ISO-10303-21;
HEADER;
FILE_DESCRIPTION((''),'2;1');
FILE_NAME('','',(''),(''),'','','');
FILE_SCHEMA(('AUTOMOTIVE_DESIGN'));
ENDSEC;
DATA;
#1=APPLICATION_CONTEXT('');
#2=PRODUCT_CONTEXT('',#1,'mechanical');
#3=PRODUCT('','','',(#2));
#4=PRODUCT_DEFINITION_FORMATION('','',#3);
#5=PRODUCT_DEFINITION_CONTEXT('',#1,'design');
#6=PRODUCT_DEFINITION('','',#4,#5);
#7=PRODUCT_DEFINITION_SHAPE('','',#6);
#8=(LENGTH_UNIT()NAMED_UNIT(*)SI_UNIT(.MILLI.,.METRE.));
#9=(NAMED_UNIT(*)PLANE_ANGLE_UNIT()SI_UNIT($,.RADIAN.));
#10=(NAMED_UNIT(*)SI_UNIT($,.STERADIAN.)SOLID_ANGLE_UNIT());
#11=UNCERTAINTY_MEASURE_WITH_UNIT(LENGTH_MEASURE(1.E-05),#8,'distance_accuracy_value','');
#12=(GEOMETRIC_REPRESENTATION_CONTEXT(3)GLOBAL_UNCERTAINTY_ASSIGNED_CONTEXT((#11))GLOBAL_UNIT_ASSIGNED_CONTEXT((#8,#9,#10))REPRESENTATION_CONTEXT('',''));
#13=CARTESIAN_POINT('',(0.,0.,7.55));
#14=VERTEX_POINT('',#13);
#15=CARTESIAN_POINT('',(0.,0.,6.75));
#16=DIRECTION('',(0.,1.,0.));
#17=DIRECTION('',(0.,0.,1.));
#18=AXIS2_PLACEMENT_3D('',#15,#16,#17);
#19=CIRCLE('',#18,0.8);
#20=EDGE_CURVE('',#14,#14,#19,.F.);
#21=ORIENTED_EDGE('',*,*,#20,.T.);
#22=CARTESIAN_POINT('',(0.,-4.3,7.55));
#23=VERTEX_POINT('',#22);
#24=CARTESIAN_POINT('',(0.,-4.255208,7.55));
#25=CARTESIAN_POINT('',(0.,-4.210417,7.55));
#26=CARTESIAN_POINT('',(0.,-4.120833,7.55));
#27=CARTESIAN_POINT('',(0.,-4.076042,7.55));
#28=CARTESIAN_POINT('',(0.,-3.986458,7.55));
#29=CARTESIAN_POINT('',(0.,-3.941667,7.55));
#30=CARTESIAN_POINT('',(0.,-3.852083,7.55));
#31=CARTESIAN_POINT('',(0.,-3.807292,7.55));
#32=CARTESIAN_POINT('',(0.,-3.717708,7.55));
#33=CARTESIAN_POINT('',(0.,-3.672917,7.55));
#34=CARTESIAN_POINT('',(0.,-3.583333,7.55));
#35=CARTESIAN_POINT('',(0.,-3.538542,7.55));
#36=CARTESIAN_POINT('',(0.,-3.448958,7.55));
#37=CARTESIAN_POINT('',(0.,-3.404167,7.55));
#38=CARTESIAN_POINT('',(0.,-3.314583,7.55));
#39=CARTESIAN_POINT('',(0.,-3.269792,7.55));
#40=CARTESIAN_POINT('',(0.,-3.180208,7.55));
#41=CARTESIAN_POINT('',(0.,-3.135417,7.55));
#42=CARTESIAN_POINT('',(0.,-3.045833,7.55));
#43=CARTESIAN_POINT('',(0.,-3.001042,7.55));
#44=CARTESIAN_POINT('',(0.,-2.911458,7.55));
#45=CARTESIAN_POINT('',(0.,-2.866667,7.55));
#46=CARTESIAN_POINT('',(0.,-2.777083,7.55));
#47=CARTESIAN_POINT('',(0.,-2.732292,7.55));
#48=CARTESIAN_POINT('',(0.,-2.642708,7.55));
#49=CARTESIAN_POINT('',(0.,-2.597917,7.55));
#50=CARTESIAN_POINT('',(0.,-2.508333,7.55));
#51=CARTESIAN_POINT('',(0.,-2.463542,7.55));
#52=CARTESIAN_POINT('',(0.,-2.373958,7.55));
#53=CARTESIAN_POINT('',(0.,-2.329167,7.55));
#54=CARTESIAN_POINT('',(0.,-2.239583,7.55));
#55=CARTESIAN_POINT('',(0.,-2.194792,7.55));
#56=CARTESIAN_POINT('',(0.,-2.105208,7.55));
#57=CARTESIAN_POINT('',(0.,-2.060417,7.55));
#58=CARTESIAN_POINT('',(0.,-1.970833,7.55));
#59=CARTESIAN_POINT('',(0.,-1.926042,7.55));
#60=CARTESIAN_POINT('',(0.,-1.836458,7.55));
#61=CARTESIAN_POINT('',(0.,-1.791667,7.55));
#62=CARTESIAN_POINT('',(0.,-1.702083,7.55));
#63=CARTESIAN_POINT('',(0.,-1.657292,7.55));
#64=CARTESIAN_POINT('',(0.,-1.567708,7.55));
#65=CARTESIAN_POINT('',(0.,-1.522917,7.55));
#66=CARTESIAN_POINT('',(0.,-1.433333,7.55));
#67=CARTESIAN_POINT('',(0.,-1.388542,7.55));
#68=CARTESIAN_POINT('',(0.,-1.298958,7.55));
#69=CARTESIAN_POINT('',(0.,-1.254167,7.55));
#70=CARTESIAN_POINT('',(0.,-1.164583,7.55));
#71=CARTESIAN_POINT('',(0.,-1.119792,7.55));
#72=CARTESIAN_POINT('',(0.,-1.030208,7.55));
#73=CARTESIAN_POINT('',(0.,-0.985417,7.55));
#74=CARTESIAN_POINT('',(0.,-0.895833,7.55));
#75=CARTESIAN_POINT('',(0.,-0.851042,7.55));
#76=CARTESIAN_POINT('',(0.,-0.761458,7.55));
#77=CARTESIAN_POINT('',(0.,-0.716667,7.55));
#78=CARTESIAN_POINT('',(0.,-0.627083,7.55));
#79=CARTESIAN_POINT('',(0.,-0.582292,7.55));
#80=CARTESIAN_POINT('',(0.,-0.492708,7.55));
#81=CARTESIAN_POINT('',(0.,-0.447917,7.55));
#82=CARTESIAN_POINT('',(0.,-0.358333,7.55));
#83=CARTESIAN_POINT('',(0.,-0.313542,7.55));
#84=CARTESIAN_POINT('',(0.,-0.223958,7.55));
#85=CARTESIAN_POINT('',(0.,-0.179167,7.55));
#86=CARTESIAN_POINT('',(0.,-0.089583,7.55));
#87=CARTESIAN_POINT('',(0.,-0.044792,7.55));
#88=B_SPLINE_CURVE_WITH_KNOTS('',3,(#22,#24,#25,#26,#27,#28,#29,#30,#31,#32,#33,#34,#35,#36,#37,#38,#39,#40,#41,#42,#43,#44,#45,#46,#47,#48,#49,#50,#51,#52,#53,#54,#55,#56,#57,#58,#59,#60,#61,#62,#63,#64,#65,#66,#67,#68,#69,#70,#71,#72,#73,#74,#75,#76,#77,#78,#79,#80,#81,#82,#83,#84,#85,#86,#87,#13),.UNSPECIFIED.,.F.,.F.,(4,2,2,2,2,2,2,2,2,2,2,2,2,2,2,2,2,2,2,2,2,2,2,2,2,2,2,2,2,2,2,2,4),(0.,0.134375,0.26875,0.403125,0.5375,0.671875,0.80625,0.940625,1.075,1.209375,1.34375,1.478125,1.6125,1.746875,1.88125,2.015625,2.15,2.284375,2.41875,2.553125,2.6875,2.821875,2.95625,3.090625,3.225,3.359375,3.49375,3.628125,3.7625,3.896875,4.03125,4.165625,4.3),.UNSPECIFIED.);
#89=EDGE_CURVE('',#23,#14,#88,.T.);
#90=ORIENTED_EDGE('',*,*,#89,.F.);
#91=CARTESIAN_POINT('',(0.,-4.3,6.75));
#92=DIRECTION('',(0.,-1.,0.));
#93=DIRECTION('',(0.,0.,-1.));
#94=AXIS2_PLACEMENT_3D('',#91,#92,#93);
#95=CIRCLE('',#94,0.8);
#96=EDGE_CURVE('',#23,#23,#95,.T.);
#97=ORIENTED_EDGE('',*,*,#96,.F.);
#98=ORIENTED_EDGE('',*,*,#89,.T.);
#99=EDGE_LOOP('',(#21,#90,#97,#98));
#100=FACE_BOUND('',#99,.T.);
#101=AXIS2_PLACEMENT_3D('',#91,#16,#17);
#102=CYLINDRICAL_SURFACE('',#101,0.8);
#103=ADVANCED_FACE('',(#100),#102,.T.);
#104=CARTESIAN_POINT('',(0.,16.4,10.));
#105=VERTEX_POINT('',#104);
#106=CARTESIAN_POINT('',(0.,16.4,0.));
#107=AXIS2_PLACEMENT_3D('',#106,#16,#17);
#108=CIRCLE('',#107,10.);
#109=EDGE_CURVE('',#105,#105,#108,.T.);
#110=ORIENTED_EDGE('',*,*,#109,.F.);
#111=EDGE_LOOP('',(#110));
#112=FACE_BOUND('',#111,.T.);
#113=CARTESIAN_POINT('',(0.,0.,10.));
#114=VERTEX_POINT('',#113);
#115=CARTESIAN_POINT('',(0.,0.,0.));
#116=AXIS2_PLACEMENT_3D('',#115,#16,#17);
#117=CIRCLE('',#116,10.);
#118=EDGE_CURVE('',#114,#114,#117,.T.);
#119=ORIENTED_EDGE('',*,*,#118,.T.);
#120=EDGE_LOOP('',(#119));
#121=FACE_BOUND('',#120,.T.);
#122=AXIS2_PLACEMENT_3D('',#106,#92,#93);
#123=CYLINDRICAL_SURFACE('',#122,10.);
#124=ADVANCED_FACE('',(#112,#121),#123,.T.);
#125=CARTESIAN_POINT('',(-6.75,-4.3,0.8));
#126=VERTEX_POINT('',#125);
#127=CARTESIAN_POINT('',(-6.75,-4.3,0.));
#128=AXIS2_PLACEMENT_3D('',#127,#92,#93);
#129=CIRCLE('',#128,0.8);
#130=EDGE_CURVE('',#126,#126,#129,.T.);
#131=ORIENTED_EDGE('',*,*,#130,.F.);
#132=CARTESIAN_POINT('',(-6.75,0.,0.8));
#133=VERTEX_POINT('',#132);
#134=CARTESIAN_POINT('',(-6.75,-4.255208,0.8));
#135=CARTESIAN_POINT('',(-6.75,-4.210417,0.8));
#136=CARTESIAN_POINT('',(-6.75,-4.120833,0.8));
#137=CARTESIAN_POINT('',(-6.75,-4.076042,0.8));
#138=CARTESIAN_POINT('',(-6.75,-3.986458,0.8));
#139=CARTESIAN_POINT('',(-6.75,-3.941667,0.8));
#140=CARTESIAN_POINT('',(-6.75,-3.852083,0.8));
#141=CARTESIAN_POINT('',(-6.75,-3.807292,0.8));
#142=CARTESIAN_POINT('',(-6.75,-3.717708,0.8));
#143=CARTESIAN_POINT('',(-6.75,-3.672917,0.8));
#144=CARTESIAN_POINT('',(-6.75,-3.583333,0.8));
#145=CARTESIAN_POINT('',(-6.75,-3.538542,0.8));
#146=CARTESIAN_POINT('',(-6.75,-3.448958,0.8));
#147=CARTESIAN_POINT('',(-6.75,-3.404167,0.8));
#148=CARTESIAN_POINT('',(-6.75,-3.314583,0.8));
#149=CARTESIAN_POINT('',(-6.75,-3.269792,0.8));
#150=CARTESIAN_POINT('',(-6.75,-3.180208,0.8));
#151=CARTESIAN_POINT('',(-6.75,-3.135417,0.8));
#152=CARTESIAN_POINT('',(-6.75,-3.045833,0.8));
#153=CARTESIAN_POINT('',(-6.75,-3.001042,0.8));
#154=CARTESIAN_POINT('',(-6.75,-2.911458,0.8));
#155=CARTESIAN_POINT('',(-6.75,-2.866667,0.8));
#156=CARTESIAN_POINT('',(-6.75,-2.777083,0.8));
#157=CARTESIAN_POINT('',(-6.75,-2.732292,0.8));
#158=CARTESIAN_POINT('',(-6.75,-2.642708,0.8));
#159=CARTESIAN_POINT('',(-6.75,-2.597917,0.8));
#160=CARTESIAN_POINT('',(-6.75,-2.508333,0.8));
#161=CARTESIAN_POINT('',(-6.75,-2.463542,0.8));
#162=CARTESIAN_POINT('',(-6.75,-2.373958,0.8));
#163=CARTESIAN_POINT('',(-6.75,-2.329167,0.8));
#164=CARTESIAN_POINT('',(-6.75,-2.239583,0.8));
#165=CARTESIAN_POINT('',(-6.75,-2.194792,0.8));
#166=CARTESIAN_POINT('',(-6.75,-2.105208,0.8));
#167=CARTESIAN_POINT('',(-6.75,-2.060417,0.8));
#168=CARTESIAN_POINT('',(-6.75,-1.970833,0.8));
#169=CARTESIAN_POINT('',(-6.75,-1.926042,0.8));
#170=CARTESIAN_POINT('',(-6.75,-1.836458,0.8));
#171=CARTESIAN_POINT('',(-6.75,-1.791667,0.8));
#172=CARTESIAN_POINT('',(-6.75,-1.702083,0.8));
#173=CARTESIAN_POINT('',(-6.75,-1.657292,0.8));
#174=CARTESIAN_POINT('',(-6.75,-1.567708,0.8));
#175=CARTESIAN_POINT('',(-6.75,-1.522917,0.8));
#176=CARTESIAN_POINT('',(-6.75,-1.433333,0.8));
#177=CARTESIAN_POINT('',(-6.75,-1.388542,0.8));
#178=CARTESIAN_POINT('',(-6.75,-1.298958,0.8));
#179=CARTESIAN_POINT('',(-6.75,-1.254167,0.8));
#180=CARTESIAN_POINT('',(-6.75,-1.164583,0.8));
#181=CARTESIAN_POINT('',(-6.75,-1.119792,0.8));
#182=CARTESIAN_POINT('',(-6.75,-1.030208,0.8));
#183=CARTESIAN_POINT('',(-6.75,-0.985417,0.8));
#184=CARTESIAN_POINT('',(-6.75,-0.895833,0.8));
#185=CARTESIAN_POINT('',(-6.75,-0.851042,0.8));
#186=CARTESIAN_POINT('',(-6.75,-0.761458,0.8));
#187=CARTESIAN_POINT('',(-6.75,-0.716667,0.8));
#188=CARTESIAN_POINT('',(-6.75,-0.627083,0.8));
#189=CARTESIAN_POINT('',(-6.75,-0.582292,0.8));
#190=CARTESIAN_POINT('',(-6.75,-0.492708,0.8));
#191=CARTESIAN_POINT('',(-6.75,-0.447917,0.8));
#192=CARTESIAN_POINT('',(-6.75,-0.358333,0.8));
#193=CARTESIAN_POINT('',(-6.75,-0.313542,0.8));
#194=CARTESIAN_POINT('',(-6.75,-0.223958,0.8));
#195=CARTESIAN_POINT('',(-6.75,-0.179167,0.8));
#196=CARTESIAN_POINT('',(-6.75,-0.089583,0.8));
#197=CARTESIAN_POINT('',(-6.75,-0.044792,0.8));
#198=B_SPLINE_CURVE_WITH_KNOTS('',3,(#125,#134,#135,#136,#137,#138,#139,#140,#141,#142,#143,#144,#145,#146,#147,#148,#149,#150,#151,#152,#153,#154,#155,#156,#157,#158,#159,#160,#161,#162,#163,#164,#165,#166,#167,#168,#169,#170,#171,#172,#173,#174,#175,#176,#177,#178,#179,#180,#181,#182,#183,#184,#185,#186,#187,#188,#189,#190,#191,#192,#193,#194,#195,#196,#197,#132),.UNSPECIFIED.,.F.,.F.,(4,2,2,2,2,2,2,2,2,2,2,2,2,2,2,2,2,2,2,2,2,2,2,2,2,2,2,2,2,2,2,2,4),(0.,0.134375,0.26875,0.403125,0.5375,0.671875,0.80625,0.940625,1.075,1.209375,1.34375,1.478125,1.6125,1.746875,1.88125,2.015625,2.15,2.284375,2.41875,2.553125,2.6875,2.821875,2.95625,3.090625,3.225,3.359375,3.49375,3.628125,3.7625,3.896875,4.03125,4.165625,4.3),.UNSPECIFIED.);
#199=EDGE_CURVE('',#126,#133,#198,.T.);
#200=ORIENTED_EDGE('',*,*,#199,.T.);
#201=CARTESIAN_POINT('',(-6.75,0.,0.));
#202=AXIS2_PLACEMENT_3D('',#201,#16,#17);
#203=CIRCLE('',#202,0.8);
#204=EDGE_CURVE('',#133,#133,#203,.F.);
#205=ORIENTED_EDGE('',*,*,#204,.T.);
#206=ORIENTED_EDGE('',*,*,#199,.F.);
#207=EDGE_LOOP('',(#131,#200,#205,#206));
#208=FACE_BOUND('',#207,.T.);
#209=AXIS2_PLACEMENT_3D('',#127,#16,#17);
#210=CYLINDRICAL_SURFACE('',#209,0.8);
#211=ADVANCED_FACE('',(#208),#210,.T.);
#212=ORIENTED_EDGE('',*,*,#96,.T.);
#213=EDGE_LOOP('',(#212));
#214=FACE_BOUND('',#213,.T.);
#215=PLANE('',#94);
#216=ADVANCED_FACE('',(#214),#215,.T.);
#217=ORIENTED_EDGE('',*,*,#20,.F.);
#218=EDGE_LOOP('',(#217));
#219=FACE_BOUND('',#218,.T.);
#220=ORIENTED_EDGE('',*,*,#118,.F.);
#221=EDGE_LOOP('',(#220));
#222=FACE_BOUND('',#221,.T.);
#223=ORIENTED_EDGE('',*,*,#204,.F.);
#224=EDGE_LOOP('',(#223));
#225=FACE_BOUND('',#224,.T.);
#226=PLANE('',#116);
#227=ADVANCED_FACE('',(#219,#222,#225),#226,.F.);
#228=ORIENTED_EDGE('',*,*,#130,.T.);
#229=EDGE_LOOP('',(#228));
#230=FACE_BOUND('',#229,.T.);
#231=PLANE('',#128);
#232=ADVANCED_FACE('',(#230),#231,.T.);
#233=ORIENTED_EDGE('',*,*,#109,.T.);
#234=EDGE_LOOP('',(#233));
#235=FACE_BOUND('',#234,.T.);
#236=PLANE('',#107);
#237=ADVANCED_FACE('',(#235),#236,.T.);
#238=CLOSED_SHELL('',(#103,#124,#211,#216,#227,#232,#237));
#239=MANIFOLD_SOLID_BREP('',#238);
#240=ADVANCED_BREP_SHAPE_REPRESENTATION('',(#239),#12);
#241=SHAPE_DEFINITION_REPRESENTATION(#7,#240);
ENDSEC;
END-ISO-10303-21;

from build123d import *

# Parameters (mm, degrees)
SKETCH_1_R      = 10
EXTRUDE_1_DEPTH = 16.4
SKETCH_2_R      = 0.8
EXTRUDE_2_DEPTH = 4.3


with BuildPart() as part:
    # Эскиз1 → Бобышка-Вытянуть1 (new body)
    with BuildSketch(Plane(origin=(0, 0, 0), x_dir=(1, 0, 0), z_dir=(0, 1, 0))):
        with Locations(Location((0, 0, 0), (0, 0, 270))):
            Circle(SKETCH_1_R)
    extrude(amount=EXTRUDE_1_DEPTH)

    # Эскиз2 → Бобышка-Вытянуть2 (add)
    with BuildSketch(Plane.XZ):
        with Locations(Location((0, 6.75, 0), (0, 0, 90))):
            Circle(SKETCH_2_R)
        with Locations(Location((-6.75, 0, 0), (0, 0, 90))):
            Circle(SKETCH_2_R)
    extrude(amount=EXTRUDE_2_DEPTH)


solid = part.part
